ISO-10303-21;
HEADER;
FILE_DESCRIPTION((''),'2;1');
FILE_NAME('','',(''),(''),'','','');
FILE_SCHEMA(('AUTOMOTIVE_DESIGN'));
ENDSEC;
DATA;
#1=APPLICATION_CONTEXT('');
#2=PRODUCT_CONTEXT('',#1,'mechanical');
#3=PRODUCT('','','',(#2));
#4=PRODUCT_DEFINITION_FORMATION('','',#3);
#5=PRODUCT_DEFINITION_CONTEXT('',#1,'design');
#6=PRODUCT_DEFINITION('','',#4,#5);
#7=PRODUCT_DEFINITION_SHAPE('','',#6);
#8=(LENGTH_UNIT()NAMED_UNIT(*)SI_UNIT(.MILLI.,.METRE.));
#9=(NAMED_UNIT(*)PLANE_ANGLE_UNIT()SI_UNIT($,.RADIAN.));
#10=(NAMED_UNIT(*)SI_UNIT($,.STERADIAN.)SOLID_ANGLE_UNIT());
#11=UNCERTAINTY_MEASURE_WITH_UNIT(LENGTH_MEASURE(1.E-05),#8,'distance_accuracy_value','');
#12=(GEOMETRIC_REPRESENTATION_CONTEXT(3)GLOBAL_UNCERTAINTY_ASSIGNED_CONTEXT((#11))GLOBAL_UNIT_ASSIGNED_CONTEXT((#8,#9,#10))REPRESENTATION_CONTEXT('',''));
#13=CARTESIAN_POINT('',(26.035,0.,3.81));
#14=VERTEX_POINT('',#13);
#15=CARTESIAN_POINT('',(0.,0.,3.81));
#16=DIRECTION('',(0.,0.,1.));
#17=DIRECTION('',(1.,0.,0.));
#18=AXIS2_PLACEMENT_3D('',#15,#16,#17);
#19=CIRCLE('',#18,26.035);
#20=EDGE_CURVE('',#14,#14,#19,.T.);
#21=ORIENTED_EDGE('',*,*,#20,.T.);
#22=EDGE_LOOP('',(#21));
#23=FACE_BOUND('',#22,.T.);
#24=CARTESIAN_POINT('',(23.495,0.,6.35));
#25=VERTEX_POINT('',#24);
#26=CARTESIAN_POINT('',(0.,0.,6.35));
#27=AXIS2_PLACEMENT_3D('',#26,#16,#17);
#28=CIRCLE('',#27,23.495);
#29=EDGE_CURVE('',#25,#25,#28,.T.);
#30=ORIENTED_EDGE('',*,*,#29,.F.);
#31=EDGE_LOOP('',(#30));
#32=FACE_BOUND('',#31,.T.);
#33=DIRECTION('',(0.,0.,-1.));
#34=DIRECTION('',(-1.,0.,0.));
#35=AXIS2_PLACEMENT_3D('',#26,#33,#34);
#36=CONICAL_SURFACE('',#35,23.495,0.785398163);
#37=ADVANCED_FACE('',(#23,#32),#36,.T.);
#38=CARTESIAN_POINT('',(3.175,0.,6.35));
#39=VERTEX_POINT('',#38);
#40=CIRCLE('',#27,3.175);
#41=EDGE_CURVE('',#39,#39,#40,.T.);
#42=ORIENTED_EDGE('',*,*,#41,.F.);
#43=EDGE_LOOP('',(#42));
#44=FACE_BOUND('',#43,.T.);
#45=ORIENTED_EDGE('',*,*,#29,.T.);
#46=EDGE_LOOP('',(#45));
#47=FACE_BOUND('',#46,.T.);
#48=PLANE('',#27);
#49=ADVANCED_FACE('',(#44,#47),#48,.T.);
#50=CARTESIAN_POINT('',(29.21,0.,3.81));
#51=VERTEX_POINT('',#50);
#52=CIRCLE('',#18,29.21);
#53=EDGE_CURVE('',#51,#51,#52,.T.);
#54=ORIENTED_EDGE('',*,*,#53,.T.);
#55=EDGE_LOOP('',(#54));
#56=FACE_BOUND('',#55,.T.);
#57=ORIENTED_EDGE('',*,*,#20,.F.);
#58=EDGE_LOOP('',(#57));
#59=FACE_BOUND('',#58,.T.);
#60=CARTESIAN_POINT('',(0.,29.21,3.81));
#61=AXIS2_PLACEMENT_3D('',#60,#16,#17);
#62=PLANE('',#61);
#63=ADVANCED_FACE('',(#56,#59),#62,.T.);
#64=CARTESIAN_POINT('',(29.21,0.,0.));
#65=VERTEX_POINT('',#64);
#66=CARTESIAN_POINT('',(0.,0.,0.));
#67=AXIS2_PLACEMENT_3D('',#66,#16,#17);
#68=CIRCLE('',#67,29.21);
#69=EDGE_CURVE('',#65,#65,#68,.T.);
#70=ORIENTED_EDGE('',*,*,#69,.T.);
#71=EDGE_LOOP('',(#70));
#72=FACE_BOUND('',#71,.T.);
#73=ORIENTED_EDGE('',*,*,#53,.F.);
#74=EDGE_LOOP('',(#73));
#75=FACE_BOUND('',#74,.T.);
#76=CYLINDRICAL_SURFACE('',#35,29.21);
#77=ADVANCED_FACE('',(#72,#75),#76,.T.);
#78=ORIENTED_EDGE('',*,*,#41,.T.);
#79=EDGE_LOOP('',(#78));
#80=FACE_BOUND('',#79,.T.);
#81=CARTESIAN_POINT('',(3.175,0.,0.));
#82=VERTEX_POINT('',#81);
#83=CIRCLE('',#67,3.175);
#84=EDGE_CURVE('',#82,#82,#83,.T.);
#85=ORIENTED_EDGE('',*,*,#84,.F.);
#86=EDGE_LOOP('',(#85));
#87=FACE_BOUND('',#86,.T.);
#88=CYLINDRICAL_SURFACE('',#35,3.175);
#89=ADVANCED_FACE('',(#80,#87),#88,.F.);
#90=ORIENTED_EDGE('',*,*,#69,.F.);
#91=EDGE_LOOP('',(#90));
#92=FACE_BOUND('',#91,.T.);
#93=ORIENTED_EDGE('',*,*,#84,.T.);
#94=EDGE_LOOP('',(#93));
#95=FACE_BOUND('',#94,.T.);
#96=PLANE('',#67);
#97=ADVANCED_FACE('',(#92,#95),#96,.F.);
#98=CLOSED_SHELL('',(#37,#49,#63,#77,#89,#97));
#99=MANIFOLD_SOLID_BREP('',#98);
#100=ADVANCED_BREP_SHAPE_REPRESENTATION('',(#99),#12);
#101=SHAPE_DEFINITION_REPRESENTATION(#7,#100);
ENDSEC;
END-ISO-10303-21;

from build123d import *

# Parameters (mm, degrees)
SKETCH1_R           = 29.21
SKETCH1_R_2         = 3.175
BOSS_EXTRUDE1_DEPTH = 6.35


with BuildPart() as part:
    # Sketch1 → Boss-Extrude1 (new body)
    with BuildSketch(Plane.XY):
        Circle(SKETCH1_R)
        Circle(SKETCH1_R_2, mode=Mode.SUBTRACT)
    extrude(amount=BOSS_EXTRUDE1_DEPTH)

    # Sketch2 → Cut-Revolve1 (revolve, cut)
    with BuildSketch(Plane(origin=(0, 0, 0), x_dir=(0, 0, -1), z_dir=(1, 0, 0)), mode=Mode.PRIVATE) as cut_revolve1_sk:
        Polygon((-6.35, 29.21), (-3.81, 29.21), (-3.81, 26.035), (-6.35, 23.495), align=None)
    revolve(cut_revolve1_sk.sketch.rotate(Axis((0, 0, 6.35), (0, 0, -1)), 90), axis=Axis((0, 0, 6.35), (0, 0, -1)), mode=Mode.SUBTRACT)


solid = part.part
